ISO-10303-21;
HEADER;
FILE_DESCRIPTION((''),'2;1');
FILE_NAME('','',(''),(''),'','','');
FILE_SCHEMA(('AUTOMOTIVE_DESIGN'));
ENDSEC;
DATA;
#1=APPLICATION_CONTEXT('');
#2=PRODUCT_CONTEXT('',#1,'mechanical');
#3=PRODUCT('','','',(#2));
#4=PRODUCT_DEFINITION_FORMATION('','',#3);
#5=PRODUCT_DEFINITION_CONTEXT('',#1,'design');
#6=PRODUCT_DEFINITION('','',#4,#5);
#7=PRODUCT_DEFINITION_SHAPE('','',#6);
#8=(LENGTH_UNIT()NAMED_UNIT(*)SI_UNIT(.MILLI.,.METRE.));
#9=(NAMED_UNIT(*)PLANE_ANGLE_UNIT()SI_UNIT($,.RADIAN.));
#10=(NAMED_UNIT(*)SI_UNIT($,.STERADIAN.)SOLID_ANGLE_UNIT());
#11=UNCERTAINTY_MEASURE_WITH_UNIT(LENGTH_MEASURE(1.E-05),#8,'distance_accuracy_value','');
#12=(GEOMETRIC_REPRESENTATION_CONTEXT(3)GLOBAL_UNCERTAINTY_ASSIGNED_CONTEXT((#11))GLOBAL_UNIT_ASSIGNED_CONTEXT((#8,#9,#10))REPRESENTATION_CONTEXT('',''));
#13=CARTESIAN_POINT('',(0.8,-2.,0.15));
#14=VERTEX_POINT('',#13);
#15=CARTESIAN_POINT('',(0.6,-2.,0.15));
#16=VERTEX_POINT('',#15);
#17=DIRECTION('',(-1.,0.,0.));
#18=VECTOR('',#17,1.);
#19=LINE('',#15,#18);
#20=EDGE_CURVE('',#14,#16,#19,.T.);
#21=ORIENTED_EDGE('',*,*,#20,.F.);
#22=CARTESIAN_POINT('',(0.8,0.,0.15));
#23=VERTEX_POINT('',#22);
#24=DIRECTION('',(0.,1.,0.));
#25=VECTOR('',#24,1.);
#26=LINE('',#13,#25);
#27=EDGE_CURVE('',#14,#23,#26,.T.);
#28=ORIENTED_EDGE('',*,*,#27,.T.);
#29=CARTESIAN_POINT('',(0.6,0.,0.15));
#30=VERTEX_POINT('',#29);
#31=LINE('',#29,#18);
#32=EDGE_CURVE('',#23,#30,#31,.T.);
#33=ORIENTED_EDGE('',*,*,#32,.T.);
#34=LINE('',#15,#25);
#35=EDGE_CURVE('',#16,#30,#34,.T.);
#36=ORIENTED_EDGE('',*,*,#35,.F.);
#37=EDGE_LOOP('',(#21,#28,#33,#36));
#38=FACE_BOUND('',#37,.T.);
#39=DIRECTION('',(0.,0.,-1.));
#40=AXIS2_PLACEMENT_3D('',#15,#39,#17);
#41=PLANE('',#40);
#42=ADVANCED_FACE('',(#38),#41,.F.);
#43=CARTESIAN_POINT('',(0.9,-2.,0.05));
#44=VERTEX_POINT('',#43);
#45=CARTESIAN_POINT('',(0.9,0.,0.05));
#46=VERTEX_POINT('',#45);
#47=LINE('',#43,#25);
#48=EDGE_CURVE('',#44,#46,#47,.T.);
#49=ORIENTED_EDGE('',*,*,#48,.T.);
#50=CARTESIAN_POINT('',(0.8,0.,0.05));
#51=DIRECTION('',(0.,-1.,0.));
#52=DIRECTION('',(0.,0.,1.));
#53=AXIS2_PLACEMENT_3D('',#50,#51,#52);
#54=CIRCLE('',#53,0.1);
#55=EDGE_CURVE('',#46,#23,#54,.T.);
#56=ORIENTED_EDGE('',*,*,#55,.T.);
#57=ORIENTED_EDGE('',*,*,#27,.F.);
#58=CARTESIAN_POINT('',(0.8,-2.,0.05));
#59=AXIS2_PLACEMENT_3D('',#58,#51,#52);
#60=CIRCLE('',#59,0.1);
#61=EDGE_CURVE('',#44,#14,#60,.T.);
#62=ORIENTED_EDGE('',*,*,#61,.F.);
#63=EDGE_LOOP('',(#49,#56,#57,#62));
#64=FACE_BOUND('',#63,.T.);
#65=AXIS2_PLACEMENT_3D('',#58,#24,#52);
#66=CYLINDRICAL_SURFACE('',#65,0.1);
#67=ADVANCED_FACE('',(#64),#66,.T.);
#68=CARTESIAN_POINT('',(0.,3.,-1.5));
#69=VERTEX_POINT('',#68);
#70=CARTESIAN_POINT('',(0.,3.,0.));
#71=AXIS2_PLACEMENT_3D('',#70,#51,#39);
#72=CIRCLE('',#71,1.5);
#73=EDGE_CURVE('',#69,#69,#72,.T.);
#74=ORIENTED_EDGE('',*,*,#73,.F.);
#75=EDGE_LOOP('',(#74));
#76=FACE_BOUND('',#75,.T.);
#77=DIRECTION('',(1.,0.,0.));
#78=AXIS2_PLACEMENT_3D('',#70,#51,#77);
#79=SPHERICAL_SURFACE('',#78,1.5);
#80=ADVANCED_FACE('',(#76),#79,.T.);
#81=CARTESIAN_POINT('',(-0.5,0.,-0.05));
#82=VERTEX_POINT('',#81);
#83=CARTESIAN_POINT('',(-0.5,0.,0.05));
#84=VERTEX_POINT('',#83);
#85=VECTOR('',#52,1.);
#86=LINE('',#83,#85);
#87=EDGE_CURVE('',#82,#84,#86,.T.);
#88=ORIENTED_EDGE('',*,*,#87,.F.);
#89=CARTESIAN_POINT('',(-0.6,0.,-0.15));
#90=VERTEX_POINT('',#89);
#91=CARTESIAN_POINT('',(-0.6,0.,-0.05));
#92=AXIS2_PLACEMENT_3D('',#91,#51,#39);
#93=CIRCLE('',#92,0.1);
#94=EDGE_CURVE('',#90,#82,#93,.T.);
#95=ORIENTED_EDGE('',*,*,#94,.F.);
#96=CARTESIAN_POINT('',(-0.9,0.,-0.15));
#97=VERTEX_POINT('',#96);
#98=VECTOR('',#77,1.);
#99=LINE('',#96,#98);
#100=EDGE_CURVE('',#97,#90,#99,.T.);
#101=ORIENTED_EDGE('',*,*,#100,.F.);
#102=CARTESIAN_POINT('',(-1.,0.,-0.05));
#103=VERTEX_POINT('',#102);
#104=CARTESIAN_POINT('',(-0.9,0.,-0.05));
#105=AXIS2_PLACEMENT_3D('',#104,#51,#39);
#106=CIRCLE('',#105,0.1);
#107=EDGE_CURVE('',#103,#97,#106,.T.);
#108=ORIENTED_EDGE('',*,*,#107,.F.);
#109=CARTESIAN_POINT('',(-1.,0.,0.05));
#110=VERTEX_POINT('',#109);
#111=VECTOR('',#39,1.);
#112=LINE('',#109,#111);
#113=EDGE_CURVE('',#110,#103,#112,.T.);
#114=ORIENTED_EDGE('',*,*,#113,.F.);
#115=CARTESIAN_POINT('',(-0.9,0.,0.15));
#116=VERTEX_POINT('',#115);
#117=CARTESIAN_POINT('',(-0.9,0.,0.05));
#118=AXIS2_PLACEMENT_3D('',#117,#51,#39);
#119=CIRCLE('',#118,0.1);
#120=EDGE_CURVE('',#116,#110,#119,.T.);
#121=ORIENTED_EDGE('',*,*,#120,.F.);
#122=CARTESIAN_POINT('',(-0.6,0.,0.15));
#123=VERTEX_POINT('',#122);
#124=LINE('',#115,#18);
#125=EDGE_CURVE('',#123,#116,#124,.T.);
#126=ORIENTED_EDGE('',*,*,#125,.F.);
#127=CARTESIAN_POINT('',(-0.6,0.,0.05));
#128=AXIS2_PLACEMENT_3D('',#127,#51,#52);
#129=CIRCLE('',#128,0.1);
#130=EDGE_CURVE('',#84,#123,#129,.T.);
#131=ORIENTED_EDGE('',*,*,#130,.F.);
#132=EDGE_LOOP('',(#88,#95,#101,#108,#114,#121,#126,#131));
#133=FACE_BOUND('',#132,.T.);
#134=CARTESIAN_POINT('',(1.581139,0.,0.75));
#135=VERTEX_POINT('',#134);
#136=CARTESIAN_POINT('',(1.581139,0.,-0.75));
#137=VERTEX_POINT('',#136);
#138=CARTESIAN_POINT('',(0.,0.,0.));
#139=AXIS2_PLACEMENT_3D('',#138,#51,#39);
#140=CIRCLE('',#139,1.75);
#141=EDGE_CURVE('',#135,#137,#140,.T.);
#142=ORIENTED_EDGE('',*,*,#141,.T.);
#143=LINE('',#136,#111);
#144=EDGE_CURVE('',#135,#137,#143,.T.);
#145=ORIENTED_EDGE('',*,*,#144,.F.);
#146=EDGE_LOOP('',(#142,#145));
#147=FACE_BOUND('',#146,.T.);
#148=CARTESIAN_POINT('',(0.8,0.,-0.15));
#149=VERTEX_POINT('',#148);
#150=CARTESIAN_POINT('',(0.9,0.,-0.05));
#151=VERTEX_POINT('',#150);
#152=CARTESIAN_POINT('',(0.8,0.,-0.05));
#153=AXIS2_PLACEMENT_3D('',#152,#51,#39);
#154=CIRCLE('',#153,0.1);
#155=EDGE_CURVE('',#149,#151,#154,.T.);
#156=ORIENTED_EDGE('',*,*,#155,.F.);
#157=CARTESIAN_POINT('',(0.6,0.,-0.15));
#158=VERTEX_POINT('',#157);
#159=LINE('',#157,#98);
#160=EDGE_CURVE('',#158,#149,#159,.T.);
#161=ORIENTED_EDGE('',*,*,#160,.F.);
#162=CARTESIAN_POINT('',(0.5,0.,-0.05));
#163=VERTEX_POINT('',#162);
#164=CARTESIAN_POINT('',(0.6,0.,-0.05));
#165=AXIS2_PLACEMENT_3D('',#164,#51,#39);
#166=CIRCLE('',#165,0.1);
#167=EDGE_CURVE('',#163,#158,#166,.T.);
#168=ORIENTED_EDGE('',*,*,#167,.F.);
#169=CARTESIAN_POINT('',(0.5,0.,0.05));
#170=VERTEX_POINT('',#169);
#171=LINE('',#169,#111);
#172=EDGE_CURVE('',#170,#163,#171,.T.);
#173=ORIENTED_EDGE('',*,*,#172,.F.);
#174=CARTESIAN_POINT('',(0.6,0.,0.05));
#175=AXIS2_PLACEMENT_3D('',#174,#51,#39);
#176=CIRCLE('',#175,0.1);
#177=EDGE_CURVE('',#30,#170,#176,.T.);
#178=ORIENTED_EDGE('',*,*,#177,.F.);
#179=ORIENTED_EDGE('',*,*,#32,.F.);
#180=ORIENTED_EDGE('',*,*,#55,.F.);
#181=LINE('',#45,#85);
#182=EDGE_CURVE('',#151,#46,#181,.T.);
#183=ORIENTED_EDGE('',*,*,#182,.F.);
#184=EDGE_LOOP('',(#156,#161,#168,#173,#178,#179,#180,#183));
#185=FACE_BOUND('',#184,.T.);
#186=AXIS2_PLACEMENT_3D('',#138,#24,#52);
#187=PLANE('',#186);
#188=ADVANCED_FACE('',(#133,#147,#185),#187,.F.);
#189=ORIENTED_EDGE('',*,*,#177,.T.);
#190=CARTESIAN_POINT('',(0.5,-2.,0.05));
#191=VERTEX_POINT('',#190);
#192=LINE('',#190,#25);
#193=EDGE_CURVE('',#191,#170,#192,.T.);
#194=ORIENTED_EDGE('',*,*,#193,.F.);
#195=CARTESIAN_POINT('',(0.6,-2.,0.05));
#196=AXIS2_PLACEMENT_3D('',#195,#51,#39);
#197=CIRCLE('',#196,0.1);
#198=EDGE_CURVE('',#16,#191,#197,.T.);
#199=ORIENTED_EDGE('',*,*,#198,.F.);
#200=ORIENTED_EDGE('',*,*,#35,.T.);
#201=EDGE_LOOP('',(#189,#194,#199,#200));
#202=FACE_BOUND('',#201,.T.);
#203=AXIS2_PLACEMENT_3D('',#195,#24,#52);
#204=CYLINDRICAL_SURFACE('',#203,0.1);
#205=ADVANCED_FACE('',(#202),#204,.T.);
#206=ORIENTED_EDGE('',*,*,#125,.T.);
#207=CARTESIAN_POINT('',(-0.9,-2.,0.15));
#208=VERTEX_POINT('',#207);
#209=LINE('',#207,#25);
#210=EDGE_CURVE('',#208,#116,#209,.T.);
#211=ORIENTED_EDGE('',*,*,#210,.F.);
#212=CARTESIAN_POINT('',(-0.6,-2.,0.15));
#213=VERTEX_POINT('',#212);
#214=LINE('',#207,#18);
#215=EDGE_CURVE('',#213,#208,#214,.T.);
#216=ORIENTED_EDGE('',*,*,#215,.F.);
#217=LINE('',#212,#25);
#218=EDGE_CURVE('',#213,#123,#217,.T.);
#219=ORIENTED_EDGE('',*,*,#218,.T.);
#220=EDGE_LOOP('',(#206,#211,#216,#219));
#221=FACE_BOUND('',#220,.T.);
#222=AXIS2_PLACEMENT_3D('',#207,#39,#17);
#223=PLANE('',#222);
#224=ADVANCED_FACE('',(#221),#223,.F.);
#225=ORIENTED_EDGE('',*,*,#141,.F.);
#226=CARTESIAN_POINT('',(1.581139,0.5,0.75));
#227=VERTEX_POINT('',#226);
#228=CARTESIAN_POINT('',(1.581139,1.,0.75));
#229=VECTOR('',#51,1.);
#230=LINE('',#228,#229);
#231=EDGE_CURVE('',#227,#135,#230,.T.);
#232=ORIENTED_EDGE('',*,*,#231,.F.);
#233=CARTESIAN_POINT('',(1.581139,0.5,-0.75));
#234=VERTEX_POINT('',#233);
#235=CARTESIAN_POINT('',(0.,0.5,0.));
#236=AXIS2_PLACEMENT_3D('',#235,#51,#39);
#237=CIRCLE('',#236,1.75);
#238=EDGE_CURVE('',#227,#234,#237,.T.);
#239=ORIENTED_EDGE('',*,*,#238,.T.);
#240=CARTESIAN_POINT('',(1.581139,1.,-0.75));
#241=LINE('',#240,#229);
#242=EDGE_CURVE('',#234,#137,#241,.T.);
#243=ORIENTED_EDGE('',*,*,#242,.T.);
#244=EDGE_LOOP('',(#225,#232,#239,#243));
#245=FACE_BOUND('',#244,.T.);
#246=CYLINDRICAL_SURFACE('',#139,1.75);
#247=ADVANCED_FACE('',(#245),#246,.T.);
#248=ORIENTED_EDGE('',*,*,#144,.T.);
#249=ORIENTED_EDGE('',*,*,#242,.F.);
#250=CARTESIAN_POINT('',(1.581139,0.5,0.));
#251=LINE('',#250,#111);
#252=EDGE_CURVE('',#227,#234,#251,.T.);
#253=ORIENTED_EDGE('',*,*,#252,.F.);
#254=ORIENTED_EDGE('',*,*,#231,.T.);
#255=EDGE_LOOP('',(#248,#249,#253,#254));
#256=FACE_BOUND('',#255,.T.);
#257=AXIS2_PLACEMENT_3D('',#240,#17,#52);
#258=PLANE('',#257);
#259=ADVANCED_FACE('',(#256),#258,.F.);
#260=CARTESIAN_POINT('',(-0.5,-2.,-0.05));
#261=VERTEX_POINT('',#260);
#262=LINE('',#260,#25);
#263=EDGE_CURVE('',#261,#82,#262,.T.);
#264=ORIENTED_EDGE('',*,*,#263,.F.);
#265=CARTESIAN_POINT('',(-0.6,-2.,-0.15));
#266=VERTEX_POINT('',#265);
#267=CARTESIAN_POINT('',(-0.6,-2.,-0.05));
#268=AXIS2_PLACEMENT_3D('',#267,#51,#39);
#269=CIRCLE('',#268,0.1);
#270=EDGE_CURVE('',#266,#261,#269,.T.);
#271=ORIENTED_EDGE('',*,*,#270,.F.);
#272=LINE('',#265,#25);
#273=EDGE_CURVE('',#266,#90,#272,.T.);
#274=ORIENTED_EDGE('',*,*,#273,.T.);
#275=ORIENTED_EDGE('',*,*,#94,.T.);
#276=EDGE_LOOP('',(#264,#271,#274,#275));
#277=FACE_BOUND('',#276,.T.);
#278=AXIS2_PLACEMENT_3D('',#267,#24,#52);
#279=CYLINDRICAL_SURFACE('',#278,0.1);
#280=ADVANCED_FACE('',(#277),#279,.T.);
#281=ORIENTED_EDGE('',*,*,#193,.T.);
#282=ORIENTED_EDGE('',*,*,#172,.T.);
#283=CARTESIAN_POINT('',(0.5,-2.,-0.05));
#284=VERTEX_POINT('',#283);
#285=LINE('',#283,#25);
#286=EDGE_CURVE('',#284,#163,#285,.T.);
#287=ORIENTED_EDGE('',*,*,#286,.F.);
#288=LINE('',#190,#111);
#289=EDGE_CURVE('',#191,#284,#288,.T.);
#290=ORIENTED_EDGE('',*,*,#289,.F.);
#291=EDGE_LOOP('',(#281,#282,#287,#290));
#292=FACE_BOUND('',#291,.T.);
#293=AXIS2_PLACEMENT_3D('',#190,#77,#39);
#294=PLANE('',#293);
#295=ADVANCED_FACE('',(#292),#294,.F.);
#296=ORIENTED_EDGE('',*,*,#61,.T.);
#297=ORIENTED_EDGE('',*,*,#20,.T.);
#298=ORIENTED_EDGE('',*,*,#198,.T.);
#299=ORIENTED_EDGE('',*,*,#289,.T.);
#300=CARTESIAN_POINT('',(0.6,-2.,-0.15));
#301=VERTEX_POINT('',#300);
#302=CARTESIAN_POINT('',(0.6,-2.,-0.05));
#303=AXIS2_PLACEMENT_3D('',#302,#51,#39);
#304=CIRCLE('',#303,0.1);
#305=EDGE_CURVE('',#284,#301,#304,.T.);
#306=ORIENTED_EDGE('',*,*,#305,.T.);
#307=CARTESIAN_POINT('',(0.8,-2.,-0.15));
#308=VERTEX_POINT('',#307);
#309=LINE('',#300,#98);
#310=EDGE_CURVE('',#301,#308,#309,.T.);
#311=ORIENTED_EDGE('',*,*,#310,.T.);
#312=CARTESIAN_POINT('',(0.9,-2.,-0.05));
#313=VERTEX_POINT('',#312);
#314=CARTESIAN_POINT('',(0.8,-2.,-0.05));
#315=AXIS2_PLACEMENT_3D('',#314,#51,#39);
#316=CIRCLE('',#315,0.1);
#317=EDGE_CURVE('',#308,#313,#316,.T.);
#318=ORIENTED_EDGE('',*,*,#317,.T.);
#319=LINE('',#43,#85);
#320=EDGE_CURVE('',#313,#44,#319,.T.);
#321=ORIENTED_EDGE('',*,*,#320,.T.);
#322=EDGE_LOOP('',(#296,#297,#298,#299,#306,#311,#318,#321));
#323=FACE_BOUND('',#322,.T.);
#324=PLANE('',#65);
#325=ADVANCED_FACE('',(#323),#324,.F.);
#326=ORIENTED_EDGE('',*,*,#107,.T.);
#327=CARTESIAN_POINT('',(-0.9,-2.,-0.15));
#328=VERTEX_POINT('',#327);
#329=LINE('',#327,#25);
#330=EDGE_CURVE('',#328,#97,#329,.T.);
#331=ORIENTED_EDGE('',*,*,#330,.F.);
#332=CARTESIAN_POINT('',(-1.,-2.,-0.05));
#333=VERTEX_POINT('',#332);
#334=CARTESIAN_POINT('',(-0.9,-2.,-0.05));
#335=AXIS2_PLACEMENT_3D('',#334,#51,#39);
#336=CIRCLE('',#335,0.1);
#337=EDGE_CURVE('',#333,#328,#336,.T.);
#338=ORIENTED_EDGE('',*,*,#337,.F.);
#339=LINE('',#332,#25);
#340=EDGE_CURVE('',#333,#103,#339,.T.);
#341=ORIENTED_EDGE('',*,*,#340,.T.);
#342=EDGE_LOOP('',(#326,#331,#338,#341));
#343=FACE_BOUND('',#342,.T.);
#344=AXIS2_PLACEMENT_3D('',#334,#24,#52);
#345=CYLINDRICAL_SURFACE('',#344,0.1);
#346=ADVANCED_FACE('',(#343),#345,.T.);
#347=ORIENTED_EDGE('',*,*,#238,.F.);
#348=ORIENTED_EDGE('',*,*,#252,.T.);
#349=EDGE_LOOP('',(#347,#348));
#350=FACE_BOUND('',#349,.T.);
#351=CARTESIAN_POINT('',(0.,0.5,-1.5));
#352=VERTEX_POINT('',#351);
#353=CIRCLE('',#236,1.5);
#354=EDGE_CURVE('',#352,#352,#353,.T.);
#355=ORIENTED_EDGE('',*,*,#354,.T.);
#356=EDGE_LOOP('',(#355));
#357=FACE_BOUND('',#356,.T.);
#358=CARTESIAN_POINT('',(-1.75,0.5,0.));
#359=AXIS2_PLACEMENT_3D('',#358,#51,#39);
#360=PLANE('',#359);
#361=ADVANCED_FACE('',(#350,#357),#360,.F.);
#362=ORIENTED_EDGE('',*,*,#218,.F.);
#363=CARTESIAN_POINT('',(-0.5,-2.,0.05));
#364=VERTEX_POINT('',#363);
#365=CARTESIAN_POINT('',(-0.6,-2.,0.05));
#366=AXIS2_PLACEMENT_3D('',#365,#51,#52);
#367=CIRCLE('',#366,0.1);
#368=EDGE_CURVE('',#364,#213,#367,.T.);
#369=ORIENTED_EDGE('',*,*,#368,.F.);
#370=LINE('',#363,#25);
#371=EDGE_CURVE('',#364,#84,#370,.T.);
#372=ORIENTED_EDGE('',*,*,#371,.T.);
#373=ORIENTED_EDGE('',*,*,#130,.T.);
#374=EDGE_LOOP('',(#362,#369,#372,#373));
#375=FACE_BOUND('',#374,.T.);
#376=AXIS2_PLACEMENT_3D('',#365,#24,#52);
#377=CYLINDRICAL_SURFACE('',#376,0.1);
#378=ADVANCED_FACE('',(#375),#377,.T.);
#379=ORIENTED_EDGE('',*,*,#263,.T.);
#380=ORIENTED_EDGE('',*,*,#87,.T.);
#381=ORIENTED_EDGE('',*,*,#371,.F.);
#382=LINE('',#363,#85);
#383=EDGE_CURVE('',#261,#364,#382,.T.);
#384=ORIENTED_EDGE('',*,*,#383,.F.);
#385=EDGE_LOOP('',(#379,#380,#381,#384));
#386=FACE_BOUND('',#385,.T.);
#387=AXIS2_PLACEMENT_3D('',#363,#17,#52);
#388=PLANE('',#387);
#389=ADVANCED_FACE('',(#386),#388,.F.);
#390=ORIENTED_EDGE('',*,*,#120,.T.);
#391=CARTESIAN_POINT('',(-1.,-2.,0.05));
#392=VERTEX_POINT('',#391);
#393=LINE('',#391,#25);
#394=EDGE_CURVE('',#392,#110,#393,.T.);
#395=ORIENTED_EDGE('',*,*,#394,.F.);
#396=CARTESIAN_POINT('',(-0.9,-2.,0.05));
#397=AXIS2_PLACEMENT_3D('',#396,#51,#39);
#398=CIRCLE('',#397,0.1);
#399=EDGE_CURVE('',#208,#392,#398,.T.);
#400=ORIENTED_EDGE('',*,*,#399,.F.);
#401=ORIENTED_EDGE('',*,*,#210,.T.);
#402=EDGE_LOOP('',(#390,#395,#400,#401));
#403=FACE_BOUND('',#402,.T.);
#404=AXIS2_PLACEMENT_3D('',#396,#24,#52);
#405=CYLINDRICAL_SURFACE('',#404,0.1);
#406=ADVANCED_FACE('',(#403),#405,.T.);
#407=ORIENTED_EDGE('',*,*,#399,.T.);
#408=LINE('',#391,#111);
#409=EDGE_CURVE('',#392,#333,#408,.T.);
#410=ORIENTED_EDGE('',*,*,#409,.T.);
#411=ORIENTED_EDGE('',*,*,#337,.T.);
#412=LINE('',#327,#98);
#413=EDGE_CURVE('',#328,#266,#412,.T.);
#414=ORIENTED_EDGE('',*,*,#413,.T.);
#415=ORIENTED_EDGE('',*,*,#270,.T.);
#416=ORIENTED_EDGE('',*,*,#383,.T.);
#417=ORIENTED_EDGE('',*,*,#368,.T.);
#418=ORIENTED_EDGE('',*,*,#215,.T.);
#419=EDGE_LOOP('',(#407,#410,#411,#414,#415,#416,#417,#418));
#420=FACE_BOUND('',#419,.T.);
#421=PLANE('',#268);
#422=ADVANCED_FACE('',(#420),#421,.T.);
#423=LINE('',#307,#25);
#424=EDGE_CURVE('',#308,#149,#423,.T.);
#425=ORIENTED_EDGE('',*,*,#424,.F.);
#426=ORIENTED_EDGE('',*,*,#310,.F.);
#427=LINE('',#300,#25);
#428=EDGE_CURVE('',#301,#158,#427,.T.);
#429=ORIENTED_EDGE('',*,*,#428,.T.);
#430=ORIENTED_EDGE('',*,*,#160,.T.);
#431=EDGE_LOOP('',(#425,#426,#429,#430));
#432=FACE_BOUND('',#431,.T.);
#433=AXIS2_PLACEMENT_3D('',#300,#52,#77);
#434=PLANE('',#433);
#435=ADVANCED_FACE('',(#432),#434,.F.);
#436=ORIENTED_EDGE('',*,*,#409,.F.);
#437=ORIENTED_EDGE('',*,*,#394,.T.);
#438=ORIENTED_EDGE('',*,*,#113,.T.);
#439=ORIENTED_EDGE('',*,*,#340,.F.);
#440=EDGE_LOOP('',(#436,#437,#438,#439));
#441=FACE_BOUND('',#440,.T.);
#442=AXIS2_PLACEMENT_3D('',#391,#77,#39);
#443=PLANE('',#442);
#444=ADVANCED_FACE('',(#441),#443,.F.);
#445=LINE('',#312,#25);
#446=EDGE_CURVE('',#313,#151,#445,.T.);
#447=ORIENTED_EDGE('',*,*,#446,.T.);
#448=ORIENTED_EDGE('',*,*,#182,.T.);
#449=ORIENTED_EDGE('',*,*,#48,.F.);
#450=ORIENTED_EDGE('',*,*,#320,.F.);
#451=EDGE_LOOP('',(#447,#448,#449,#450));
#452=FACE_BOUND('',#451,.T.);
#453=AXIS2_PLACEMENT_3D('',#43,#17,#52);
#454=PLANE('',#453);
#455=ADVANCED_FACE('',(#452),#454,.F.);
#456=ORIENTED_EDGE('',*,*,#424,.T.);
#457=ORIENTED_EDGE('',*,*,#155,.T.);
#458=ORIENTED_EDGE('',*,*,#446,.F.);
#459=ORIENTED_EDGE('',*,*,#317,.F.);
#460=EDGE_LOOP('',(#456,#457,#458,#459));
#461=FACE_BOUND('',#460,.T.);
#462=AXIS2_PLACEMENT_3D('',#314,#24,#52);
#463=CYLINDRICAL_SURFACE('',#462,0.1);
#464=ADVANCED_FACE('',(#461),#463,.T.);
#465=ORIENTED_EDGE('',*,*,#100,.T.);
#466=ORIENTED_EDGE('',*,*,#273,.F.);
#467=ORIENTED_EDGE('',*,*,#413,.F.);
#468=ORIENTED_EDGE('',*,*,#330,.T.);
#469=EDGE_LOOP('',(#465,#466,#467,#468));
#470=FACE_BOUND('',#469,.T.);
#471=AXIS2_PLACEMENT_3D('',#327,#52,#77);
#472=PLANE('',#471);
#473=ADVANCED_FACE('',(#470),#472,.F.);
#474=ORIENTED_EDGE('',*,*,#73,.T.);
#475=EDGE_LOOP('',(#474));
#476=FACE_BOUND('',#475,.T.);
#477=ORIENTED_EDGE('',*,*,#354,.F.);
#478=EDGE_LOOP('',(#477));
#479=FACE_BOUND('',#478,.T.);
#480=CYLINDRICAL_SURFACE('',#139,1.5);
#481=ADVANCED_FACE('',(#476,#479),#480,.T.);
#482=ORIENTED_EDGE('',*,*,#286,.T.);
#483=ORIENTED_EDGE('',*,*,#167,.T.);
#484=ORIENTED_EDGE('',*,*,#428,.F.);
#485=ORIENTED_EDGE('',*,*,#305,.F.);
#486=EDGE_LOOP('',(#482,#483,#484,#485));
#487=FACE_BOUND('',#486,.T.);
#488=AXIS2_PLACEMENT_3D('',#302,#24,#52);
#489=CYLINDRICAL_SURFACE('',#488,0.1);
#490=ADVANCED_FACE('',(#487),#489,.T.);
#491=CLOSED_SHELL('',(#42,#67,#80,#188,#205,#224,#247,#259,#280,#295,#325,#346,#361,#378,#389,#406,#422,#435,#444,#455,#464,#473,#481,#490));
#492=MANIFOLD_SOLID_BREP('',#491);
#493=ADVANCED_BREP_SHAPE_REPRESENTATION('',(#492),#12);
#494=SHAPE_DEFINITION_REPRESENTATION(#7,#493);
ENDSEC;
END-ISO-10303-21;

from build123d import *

# Parameters (mm, degrees)
SCHNITT_LINEAR_AUSTRAGEN1_DEPTH = 1
LINEAR_AUSTRAGEN1_DEPTH         = 2


with BuildPart() as part:
    # Skizze2 → Rotation1 (revolve)
    with BuildSketch(Plane.XY):
        with BuildLine():
            Line((0, 0), (-1.75, 0))
            Line((-1.75, 0), (-1.75, 0.5))
            Line((-1.75, 0.5), (-1.5, 0.5))
            Line((-1.5, 0.5), (-1.5, 3))
            ThreePointArc((-1.5, 3), (-1.060660172, 4.060660172), (0, 4.5))
            Line((0, 4.5), (0, 0))
        make_face()
    revolve(axis=Axis((0, 0, 0), (0, 1, 0)))

    # Skizze3 → Schnitt-Linear austragen1 (cut)
    with BuildSketch(Plane.XZ):
        with BuildLine():
            Line((1.58113883, -0.75), (1.58113883, 0.75))
            ThreePointArc((1.58113883, 0.75), (1.75, 0), (1.58113883, -0.75))
        make_face()
    extrude(amount=-SCHNITT_LINEAR_AUSTRAGEN1_DEPTH, mode=Mode.SUBTRACT)

    # Skizze4 → Linear austragen1 (add)
    with BuildSketch(Plane.XZ):
        with BuildLine():
            Line((0.6, 0.15), (0.8, 0.15))
            ThreePointArc((0.8, 0.15), (0.870710678, 0.120710678), (0.9, 0.05))
            Line((0.9, 0.05), (0.9, -0.05))
            ThreePointArc((0.9, -0.05), (0.870710678, -0.120710678), (0.8, -0.15))
            Line((0.8, -0.15), (0.6, -0.15))
            ThreePointArc((0.6, -0.15), (0.529289322, -0.120710678), (0.5, -0.05))
            Line((0.5, -0.05), (0.5, 0.05))
            ThreePointArc((0.5, 0.05), (0.529289322, 0.120710678), (0.6, 0.15))
        make_face()
        with BuildLine():
            Line((-0.9, 0.15), (-0.6, 0.15))
            ThreePointArc((-0.6, 0.15), (-0.529289322, 0.120710678), (-0.5, 0.05))
            Line((-0.5, 0.05), (-0.5, -0.05))
            ThreePointArc((-0.5, -0.05), (-0.529289322, -0.120710678), (-0.6, -0.15))
            Line((-0.6, -0.15), (-0.9, -0.15))
            ThreePointArc((-0.9, -0.15), (-0.970710678, -0.120710678), (-1, -0.05))
            Line((-1, -0.05), (-1, 0.05))
            ThreePointArc((-1, 0.05), (-0.970710678, 0.120710678), (-0.9, 0.15))
        make_face()
    extrude(amount=LINEAR_AUSTRAGEN1_DEPTH)


solid = part.part
